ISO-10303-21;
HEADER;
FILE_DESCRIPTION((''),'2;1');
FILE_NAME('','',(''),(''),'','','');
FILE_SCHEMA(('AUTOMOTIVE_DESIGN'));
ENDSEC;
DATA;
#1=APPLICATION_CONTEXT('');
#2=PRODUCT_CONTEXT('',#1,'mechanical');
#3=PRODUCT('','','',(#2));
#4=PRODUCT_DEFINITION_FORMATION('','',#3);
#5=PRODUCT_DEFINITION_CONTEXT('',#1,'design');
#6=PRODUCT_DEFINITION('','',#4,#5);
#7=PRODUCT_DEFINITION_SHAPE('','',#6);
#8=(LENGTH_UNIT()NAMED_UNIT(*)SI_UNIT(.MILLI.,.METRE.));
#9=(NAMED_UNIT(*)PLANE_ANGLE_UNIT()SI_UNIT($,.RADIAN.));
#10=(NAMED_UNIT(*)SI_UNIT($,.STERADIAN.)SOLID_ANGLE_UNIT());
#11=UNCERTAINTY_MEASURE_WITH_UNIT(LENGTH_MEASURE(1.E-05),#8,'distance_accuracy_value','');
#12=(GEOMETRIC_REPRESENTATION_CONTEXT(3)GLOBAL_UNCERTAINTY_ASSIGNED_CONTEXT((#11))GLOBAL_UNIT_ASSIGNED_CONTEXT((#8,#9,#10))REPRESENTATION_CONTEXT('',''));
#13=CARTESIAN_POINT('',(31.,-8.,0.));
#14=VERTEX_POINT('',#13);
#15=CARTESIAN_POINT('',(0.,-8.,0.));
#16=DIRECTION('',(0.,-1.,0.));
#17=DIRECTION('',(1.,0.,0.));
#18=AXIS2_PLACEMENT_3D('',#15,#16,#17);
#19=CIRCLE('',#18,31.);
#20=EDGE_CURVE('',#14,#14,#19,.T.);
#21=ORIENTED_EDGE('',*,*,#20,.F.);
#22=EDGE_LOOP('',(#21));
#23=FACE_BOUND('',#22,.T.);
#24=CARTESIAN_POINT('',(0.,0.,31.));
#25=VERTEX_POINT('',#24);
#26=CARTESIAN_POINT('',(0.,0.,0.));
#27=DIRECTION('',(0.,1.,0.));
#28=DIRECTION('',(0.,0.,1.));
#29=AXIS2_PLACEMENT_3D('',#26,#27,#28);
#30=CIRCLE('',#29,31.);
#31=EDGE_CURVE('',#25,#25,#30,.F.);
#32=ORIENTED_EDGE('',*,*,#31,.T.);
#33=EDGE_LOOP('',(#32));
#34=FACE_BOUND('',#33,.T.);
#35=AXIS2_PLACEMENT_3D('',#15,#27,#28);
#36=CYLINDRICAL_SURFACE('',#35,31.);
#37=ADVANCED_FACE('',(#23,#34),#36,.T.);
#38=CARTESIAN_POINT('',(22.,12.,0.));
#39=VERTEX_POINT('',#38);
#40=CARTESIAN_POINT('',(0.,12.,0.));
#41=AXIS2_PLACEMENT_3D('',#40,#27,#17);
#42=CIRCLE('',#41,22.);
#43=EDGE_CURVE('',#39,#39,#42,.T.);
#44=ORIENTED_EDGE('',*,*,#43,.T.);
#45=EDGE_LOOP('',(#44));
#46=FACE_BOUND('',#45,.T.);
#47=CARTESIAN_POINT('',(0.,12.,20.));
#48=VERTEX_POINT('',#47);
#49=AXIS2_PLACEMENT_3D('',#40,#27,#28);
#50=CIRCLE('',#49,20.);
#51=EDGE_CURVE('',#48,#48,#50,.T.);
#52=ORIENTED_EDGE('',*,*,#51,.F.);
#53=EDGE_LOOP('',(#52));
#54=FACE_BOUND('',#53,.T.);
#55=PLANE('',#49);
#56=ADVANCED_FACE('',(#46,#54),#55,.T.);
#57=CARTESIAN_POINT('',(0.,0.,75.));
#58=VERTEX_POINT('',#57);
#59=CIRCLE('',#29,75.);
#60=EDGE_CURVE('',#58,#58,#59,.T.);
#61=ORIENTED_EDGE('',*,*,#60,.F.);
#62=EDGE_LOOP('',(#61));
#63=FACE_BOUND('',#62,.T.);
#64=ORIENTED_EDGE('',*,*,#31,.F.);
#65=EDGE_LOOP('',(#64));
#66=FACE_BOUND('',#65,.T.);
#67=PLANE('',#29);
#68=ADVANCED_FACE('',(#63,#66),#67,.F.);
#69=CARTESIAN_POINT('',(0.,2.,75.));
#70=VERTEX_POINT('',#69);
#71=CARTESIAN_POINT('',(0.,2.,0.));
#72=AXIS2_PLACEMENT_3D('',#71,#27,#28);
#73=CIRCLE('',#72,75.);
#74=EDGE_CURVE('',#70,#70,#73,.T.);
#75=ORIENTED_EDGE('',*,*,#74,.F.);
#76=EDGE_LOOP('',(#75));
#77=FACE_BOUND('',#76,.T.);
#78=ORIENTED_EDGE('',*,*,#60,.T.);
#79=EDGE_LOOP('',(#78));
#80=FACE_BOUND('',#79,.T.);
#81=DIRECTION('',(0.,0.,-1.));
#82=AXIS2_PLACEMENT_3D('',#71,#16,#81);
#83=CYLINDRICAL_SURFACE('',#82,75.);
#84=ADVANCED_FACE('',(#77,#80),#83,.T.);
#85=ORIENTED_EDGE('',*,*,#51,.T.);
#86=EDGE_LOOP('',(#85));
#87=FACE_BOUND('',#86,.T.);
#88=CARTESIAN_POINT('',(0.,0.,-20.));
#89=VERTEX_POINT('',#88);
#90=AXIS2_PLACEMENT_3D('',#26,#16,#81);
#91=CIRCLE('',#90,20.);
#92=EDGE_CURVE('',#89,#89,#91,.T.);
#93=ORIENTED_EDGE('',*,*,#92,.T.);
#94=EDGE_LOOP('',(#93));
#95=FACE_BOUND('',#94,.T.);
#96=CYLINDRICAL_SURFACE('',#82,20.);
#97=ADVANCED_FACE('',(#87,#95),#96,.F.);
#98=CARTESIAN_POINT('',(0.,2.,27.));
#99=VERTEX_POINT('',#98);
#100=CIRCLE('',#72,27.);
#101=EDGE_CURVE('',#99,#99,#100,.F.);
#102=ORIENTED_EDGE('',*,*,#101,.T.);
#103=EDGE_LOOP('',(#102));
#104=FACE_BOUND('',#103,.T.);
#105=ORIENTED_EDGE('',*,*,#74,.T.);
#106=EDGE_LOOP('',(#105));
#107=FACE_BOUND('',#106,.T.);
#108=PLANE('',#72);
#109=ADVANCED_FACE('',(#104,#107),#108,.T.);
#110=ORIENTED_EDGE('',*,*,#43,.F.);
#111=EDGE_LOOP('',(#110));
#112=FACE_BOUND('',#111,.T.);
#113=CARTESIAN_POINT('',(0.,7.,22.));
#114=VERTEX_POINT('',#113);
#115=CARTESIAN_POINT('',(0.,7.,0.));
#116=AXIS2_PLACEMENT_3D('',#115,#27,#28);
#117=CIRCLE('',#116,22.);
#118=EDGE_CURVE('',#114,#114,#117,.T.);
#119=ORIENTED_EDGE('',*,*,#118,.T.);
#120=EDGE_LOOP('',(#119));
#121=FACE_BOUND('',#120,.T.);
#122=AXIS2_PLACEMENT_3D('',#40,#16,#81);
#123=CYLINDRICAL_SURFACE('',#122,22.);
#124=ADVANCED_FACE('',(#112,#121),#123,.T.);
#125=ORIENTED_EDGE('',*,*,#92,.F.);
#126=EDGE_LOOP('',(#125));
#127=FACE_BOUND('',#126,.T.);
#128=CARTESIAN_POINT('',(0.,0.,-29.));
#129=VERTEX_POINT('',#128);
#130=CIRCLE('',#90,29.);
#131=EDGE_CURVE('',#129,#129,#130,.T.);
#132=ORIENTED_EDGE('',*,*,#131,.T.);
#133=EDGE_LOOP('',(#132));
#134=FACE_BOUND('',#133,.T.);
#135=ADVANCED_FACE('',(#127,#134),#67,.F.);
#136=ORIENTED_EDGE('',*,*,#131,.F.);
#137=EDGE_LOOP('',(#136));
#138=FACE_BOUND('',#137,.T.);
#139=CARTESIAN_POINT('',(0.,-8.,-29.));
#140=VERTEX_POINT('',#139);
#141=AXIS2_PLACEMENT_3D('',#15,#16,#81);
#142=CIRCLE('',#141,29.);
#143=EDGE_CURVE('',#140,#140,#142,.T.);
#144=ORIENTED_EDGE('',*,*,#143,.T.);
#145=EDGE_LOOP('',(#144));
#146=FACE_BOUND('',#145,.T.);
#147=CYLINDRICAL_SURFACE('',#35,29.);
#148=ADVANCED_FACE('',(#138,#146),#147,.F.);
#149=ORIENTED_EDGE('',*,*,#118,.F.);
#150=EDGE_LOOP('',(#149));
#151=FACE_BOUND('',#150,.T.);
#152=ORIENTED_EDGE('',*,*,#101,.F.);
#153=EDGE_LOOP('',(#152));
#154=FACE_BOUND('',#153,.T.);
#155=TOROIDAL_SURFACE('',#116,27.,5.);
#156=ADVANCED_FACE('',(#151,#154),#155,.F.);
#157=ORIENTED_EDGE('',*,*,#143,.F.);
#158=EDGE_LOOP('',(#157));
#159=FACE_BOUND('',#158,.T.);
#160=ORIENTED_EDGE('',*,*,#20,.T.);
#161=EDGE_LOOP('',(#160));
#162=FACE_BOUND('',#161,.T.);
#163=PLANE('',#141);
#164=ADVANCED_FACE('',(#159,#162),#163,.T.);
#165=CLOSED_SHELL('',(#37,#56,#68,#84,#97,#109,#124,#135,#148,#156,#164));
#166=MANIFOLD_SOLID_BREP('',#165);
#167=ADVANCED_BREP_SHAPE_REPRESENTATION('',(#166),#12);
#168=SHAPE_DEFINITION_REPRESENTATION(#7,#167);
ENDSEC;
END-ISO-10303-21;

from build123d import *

# Parameters (mm, degrees)
SKETCH1_R           = 75
BOSS_EXTRUDE1_DEPTH = 2
SKETCH2_R           = 31
SKETCH2_R_2         = 29
EXTRUDE_THIN1_DEPTH = 8
SKETCH3_R           = 20
CUT_EXTRUDE1_DEPTH  = 3
SKETCH4_R           = 22
SKETCH4_R_2         = 20
EXTRUDE_THIN2_DEPTH = 10
FILLET1_R           = 5


with BuildPart() as part:
    # Sketch1 → Boss-Extrude1 (new body)
    with BuildSketch(Plane(origin=(0, 0, 0), x_dir=(1, 0, 0), z_dir=(0, 1, 0))):
        Circle(SKETCH1_R)
    extrude(amount=BOSS_EXTRUDE1_DEPTH)

    # Sketch2 → Extrude-Thin1 (add)
    with BuildSketch(Plane.XZ):
        Circle(SKETCH2_R)
        Circle(SKETCH2_R_2, mode=Mode.SUBTRACT)
    extrude(amount=EXTRUDE_THIN1_DEPTH)

    # Sketch3 → Cut-Extrude1 (cut, through all)
    with BuildSketch(Plane.XZ):
        Circle(SKETCH3_R)
    extrude(amount=-CUT_EXTRUDE1_DEPTH, mode=Mode.SUBTRACT)

    # Sketch4 → Extrude-Thin2 (add)
    with BuildSketch(Plane(origin=(0, 2, 0), x_dir=(1, 0, 0), z_dir=(0, 1, 0))):
        Circle(SKETCH4_R)
        Circle(SKETCH4_R_2, mode=Mode.SUBTRACT)
    extrude(amount=EXTRUDE_THIN2_DEPTH)

    # Fillet1
    fillet1_edges = [part.edges().sort_by_distance(p)[0] for p in [
        (-22, 2, 0),
    ]]
    fillet(fillet1_edges, radius=FILLET1_R)


solid = part.part
